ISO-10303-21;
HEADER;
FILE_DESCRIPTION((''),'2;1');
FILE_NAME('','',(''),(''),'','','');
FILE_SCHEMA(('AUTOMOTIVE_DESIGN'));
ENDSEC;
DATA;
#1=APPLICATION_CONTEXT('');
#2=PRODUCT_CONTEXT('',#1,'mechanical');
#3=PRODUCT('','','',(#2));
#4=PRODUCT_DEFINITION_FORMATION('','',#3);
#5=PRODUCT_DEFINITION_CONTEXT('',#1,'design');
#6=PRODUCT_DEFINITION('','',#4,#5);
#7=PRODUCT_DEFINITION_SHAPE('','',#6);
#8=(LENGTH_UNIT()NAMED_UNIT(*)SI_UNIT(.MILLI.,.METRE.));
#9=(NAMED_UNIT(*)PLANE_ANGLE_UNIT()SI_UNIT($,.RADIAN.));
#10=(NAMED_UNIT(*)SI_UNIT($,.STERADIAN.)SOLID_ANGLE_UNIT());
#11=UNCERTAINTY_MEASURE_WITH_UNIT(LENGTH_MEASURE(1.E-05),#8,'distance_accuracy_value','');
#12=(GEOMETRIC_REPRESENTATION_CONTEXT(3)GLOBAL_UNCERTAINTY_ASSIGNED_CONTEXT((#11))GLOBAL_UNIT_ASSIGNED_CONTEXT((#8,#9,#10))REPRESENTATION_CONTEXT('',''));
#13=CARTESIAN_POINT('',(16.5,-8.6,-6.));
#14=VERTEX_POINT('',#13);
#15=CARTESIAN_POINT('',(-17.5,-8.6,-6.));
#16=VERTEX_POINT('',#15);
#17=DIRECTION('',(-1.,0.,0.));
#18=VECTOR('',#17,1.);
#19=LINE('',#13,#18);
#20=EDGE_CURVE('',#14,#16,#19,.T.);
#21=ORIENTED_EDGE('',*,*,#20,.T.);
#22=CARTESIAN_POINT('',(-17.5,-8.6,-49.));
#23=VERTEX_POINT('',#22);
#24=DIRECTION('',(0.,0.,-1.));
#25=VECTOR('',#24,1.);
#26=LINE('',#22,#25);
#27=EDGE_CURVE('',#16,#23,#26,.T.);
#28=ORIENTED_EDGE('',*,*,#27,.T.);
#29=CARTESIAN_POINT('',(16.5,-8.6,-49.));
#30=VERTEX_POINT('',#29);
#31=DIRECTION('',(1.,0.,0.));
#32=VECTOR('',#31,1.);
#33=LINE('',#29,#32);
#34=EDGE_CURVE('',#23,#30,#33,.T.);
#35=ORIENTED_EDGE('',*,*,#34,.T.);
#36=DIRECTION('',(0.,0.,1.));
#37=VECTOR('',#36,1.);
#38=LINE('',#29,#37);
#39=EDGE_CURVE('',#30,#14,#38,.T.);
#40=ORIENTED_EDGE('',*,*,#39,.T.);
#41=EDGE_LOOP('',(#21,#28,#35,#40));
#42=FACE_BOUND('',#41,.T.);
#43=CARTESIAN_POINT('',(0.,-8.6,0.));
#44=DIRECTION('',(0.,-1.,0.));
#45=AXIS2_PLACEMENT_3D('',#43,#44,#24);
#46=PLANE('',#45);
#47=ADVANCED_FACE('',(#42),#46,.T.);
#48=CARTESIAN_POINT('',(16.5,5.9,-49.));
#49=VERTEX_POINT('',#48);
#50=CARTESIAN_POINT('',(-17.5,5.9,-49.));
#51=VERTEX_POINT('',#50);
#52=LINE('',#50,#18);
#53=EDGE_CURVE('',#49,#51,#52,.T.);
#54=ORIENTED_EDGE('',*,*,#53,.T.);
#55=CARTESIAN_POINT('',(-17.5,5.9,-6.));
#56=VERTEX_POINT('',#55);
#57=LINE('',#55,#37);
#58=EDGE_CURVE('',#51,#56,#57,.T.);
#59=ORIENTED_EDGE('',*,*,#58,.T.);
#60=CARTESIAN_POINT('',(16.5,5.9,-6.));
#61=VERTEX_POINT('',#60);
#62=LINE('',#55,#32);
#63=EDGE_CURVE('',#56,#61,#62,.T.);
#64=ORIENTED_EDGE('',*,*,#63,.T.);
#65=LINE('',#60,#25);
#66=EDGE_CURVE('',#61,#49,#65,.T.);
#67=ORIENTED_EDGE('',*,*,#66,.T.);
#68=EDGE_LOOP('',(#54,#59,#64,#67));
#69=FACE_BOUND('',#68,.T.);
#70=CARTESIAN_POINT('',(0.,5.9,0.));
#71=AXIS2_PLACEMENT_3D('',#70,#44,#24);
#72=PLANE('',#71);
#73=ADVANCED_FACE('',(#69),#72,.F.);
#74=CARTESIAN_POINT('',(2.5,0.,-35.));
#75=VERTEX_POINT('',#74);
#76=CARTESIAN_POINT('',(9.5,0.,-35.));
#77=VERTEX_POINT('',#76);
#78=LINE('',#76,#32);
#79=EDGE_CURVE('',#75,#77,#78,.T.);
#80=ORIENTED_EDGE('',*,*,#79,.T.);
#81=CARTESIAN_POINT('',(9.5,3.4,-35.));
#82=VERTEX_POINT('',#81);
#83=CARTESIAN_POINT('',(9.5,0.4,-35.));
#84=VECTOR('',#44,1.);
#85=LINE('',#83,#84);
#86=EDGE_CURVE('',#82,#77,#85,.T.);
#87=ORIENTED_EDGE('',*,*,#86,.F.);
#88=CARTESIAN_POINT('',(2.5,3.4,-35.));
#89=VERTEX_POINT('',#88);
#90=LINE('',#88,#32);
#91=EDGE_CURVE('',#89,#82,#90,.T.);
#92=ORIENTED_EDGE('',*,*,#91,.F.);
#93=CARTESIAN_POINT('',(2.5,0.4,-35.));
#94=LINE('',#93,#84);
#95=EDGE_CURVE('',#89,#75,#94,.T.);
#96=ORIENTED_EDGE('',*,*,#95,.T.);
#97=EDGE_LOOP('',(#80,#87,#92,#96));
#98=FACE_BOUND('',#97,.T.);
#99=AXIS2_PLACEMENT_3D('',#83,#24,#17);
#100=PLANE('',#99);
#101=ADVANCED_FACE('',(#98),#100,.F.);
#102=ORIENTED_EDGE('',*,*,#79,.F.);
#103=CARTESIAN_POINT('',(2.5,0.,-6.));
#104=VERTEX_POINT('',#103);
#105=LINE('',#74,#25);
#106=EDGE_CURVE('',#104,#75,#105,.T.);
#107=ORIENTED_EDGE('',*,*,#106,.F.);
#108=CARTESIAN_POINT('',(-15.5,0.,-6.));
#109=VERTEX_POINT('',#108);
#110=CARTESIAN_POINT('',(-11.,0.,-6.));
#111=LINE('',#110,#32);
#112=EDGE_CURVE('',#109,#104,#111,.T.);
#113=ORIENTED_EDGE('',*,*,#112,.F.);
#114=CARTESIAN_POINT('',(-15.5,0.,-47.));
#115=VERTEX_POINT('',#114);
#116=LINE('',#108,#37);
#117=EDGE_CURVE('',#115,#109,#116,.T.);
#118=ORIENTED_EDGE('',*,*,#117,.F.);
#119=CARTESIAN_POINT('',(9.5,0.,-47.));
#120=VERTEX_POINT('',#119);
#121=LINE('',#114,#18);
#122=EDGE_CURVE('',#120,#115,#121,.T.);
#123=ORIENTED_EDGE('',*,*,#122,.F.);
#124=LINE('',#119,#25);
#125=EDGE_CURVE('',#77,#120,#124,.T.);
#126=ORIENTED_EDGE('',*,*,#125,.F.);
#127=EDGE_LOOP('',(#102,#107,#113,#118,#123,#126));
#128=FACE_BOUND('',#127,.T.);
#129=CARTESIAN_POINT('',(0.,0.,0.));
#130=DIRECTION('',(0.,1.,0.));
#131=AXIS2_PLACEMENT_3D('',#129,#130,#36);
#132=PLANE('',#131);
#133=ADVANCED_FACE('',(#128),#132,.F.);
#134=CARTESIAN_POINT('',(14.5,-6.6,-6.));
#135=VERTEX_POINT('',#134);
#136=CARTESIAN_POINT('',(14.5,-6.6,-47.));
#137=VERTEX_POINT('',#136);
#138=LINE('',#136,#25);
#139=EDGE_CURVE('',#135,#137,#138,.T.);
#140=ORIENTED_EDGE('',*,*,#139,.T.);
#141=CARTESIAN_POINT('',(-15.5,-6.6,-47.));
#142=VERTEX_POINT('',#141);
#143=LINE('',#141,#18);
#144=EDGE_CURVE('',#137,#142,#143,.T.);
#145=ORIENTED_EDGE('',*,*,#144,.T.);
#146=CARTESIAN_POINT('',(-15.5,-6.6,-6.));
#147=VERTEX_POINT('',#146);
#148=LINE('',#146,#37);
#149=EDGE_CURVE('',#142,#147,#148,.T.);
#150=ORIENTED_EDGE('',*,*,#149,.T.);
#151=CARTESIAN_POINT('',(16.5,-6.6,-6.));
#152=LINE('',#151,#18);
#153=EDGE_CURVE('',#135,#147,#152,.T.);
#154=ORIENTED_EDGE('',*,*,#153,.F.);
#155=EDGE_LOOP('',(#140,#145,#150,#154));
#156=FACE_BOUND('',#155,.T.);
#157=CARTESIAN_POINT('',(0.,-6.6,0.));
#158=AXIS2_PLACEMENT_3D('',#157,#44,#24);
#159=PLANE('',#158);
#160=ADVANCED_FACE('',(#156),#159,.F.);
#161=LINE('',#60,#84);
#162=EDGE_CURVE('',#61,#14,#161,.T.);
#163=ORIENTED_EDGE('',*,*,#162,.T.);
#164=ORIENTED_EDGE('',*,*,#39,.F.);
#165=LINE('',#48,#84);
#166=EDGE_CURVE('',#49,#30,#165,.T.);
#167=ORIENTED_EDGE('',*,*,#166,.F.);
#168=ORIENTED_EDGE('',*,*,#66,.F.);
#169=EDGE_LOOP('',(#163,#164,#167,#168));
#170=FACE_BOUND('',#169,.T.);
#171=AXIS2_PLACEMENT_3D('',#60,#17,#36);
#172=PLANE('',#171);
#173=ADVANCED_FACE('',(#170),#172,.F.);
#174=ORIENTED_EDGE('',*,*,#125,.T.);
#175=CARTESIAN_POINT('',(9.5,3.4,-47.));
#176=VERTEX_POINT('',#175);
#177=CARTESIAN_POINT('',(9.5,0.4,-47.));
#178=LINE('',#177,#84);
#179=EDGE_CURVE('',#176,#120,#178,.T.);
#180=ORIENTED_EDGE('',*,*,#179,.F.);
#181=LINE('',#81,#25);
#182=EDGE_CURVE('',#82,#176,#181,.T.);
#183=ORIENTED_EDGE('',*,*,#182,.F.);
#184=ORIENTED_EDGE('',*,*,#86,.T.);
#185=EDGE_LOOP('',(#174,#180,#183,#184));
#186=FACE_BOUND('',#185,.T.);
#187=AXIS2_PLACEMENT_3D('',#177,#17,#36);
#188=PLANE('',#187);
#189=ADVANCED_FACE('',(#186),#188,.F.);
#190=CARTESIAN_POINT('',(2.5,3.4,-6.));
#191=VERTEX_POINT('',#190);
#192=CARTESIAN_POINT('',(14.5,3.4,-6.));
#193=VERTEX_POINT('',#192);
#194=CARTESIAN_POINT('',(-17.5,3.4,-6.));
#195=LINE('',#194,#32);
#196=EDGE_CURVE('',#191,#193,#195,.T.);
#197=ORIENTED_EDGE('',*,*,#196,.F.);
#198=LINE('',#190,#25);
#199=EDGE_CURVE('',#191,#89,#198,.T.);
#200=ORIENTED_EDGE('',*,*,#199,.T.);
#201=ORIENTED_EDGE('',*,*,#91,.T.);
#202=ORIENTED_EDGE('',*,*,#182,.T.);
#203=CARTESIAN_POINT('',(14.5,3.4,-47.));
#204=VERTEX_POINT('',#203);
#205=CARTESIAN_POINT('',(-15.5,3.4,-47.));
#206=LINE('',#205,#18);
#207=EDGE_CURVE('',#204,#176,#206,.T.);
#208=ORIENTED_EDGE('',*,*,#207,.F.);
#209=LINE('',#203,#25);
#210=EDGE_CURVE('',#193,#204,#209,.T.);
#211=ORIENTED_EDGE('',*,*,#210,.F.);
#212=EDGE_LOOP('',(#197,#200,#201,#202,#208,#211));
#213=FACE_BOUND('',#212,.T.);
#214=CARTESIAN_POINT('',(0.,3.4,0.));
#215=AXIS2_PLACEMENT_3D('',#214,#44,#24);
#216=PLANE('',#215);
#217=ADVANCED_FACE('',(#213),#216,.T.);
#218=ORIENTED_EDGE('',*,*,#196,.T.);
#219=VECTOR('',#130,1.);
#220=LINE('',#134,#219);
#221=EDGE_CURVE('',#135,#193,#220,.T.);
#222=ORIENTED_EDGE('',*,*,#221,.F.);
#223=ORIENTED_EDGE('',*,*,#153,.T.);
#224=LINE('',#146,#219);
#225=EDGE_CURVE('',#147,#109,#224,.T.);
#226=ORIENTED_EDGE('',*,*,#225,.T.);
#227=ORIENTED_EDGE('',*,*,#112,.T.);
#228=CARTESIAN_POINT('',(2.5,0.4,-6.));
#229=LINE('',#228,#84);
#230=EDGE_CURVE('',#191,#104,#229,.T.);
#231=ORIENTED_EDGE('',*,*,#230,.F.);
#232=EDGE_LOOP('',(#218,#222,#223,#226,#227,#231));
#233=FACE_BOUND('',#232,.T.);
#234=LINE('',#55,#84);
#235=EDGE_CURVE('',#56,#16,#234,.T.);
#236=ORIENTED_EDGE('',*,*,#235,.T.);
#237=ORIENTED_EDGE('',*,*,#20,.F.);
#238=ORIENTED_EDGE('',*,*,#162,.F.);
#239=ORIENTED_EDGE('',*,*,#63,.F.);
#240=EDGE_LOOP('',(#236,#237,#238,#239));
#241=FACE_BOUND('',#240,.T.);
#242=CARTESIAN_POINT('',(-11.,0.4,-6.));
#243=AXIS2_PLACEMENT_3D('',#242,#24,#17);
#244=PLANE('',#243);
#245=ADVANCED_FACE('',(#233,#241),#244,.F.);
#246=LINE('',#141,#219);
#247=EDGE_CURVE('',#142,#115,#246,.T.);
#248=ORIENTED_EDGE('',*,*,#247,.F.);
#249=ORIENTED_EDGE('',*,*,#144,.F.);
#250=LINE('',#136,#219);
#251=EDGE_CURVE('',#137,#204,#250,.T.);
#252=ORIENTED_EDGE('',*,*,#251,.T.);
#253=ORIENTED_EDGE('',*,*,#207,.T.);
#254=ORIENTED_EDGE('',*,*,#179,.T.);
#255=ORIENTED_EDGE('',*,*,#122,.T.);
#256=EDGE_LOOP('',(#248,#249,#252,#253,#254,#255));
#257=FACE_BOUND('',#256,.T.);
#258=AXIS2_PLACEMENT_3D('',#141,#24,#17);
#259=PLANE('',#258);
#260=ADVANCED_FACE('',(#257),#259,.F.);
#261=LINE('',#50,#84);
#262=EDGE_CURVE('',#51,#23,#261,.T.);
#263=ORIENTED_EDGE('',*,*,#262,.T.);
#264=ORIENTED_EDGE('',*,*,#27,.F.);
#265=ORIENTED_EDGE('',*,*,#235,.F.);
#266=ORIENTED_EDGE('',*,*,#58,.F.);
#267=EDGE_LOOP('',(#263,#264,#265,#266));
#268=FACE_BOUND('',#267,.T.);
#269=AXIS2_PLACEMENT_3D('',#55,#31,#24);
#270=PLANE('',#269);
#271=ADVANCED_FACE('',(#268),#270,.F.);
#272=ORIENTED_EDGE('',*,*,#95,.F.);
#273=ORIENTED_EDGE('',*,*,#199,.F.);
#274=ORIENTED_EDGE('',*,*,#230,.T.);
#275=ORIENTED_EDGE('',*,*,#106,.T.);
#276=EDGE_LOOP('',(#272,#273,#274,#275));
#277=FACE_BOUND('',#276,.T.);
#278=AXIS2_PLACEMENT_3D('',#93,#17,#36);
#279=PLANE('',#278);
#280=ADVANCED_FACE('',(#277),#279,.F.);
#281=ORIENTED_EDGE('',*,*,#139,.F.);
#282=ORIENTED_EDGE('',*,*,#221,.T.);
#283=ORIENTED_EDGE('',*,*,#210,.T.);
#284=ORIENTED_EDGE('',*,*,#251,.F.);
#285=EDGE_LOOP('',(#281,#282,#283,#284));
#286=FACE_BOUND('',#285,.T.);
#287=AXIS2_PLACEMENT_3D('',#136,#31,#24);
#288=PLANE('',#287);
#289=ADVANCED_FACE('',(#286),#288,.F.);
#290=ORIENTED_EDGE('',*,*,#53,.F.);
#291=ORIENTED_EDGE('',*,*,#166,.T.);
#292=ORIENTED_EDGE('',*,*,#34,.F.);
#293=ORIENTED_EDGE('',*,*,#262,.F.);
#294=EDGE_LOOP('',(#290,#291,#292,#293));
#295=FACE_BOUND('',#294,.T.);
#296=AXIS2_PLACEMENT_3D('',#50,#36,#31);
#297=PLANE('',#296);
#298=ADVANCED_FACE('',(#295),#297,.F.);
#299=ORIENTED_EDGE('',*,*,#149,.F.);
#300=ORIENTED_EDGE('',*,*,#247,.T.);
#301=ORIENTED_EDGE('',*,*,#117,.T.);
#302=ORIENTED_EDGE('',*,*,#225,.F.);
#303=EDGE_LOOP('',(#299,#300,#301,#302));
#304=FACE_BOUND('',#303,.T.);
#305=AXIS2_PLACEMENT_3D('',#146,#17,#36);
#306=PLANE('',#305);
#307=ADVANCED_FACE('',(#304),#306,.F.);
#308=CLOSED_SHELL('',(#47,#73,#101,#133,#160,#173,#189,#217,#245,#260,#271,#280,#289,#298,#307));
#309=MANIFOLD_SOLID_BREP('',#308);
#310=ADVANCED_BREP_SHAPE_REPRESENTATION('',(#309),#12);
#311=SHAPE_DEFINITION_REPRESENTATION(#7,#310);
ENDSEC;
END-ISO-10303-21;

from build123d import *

# Parameters (mm, degrees)
BOSS_EXTRUDE1_DEPTH = 0.4
BOSS_EXTRUDE2_DEPTH = 3
CHAMFER1_SIZE       = 1
SKETCH4_W           = 34
SKETCH4_H           = 43
BOSS_EXTRUDE3_DEPTH = 2.5
BOSS_EXTRUDE4_DEPTH = 10
CUT_EXTRUDE1_REACH  = 7.9
SKETCH6_W           = 22
SKETCH6_H           = 6
SKETCH7_W           = 34
SKETCH7_H           = 43
BOSS_EXTRUDE5_DEPTH = 2


with BuildPart() as part:
    # Sketch2 → Boss-Extrude1 (new body)
    with BuildSketch(Plane(origin=(0, 0, 0), x_dir=(1, 0, 0), z_dir=(0, 1, 0))):
        Polygon((11, 0), (-11, 0), (-11, 6), (-15.5, 6), (-15.5, 47), (9.5, 47), (9.5, 35), (2.5, 35), (2.5, 6), (11, 6), align=None)
    extrude(amount=BOSS_EXTRUDE1_DEPTH)

    # Sketch3 → Boss-Extrude2 (add)
    with BuildSketch(Plane(origin=(0, 0.4, 0), x_dir=(1, 0, 0), z_dir=(0, 1, 0))):
        Polygon((-15.5, 6), (2.5, 6), (2.5, 35), (9.5, 35), (9.5, 47), (-15.5, 47), align=None)
    extrude(amount=BOSS_EXTRUDE2_DEPTH)

    # Chamfer1
    chamfer1_edges = [part.edges().sort_by_distance(p)[0] for p in [
        (11, 0.2, 0),
        (-11, 0.2, 0),
    ]]
    chamfer(chamfer1_edges, length=CHAMFER1_SIZE)

    # Sketch4 → Boss-Extrude3 (add)
    with BuildSketch(Plane(origin=(0, 3.4, 0), x_dir=(1, 0, 0), z_dir=(0, 1, 0))):
        with Locations((-0.5, 27.5)):
            Rectangle(SKETCH4_W, SKETCH4_H)
    extrude(amount=BOSS_EXTRUDE3_DEPTH)

    # Sketch5 → Boss-Extrude4 (add)
    with BuildSketch(Plane.XZ.offset(-3.4)):
        Polygon((-15.5, -6), (-17.5, -6), (-17.5, -49), (16.5, -49), (16.5, -6), (14.5, -6), (14.5, -47), (-15.5, -47), align=None)
    extrude(amount=BOSS_EXTRUDE4_DEPTH)

    # Sketch6 → Cut-Extrude1 (cut, up to next)
    with BuildSketch(Plane.XZ, mode=Mode.PRIVATE) as cut_extrude1_sk1:
        with Locations((0, -3)):
            Rectangle(SKETCH6_W, SKETCH6_H)
    cut_extrude1_tool1 = extrude(cut_extrude1_sk1.sketch, amount=-CUT_EXTRUDE1_REACH, mode=Mode.PRIVATE) & part.part
    add(cut_extrude1_tool1.solids().sort_by_distance((0, 0, -3))[0], mode=Mode.SUBTRACT)

    # Sketch7 → Boss-Extrude5 (add)
    with BuildSketch(Plane.XZ.offset(6.6)):
        with Locations((-0.5, -27.5)):
            Rectangle(SKETCH7_W, SKETCH7_H)
    extrude(amount=BOSS_EXTRUDE5_DEPTH)


solid = part.part
